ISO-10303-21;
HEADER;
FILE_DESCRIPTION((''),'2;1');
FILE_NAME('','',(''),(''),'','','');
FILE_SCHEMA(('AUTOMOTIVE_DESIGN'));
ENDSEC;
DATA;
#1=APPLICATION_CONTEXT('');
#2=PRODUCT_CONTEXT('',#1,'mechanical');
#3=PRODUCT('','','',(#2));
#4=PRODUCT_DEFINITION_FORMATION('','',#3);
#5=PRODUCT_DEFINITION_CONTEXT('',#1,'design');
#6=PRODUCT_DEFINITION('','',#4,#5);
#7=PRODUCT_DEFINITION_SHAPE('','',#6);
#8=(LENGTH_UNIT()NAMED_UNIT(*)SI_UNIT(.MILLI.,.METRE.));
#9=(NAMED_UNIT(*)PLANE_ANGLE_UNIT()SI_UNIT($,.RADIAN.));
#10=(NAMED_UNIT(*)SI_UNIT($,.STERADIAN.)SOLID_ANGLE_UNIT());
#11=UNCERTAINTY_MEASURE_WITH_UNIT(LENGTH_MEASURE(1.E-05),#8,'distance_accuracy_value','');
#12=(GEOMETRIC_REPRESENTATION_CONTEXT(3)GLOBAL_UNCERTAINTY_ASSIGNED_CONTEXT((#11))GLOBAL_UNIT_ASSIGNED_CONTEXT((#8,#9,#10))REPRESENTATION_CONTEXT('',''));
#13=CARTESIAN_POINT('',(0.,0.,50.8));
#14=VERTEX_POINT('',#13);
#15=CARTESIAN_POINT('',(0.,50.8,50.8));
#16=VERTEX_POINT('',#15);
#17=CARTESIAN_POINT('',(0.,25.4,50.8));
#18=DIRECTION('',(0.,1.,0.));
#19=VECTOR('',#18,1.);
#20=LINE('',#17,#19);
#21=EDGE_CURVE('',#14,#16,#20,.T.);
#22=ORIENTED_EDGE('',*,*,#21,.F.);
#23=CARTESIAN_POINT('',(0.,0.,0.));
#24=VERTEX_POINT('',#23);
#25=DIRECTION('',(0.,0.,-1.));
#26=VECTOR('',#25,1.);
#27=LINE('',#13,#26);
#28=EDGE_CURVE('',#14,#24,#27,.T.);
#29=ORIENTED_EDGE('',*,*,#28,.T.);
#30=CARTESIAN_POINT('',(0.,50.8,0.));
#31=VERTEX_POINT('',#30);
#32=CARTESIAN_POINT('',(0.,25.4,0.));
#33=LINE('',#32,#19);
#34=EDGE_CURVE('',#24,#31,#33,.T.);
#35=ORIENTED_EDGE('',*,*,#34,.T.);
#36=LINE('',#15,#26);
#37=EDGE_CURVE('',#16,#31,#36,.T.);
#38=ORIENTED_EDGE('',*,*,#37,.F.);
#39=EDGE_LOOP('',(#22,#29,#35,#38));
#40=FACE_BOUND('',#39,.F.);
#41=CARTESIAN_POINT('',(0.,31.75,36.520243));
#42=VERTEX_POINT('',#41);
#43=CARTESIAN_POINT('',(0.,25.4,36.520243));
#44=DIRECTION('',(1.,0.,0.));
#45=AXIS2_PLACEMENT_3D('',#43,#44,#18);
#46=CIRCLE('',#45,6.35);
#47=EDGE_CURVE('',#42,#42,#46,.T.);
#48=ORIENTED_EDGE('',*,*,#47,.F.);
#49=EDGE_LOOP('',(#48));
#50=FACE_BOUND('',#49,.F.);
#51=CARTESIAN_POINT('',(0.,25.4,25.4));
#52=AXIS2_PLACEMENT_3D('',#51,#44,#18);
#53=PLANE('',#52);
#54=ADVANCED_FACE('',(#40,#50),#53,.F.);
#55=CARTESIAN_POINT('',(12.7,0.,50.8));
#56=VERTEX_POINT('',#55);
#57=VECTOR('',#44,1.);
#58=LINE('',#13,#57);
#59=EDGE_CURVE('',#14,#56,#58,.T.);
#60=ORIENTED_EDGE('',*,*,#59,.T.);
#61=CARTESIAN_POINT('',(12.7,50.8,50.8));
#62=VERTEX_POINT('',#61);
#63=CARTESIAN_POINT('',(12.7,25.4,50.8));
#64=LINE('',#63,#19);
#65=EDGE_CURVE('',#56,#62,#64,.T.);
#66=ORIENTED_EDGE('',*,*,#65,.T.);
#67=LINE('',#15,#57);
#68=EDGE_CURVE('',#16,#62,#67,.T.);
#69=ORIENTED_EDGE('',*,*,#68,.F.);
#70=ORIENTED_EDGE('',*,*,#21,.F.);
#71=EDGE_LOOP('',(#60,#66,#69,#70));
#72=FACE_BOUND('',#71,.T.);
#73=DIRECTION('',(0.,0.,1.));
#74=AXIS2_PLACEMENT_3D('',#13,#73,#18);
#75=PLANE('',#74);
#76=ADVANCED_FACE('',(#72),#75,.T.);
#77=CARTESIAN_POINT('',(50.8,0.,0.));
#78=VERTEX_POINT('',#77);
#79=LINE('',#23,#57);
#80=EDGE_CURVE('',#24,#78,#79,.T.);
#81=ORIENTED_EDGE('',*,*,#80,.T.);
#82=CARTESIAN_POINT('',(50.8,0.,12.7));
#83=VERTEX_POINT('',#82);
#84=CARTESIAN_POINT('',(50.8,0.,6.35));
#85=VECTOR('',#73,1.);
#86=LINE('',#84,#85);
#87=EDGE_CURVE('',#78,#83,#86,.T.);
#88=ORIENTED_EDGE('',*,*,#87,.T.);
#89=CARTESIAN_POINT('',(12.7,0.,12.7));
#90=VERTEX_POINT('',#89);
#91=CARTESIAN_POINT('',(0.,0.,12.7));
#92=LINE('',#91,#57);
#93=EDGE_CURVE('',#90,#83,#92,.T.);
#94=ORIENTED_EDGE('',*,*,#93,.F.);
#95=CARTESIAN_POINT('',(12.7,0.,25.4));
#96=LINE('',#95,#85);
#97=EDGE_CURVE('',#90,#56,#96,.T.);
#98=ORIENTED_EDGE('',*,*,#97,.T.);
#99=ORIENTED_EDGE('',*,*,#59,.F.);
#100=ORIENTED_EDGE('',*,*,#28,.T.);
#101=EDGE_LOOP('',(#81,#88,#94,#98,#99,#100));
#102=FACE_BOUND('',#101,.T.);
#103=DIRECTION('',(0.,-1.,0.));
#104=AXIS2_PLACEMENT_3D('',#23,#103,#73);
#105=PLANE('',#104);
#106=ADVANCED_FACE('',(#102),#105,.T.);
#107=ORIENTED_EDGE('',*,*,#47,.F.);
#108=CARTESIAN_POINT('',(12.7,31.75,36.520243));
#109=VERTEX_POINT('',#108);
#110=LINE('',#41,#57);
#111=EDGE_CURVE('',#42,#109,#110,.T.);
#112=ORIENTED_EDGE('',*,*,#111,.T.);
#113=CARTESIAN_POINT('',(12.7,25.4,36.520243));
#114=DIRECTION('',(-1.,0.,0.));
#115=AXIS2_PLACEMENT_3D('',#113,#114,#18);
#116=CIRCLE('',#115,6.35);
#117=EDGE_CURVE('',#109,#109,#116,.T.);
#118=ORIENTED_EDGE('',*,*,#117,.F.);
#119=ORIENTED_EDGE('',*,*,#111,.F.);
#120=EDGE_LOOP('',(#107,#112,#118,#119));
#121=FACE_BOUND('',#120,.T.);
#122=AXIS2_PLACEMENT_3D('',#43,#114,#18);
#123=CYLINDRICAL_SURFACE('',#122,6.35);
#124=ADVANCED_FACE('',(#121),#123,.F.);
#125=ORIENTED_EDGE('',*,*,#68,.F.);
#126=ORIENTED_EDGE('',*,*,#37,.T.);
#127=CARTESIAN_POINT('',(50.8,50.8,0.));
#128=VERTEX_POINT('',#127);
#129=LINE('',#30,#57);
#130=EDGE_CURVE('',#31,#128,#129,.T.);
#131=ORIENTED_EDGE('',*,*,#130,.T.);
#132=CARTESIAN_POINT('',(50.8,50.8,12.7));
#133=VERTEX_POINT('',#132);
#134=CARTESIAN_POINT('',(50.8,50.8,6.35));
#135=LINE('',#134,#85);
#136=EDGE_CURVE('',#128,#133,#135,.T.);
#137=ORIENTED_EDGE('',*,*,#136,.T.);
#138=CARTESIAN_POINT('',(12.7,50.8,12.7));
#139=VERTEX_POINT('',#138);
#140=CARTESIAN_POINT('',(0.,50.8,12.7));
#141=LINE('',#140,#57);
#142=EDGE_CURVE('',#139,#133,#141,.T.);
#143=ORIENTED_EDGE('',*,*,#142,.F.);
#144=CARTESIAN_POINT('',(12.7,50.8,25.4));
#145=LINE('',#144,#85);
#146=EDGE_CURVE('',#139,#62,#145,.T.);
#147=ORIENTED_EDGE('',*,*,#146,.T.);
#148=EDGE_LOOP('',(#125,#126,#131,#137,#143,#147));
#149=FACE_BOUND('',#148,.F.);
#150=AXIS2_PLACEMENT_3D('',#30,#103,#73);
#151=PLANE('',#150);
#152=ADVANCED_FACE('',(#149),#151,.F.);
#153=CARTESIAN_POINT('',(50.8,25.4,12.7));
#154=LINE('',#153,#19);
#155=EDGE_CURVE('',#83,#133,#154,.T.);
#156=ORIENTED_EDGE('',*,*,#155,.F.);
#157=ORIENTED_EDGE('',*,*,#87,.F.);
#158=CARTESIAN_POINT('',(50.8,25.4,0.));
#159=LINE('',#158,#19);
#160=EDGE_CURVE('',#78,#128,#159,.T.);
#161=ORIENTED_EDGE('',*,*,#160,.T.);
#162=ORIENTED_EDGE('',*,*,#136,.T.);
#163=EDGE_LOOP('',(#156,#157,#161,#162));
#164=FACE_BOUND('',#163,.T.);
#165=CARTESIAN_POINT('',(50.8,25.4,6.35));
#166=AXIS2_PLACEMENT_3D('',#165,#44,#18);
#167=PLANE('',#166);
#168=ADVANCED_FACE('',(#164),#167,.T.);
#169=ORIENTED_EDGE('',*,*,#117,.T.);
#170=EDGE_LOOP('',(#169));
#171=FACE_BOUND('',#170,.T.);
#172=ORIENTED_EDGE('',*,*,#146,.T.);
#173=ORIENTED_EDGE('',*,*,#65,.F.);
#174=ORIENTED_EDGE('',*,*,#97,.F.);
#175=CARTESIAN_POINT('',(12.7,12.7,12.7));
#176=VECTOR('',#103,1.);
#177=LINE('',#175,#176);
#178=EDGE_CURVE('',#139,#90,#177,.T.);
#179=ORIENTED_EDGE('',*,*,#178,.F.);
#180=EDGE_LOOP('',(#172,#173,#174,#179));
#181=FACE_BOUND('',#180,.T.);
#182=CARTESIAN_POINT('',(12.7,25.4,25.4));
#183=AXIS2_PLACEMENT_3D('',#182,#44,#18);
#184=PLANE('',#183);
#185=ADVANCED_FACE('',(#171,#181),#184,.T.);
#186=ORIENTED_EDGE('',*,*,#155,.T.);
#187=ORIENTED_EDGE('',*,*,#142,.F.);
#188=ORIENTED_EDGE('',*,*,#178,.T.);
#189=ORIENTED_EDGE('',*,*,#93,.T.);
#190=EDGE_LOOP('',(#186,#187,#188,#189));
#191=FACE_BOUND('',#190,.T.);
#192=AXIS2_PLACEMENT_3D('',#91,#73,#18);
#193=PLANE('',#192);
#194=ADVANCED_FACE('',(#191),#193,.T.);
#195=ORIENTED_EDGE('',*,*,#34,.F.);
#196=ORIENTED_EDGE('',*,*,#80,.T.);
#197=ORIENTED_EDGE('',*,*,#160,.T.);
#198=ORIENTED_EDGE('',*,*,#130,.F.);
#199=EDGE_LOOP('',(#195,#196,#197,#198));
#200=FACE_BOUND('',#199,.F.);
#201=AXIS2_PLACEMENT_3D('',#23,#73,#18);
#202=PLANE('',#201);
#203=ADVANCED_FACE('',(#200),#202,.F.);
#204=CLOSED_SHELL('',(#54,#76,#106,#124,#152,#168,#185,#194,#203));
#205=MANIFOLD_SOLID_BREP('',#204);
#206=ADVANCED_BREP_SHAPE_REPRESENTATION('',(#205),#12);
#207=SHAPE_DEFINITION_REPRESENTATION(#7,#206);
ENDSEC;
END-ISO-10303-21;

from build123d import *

# Parameters (mm, degrees)
F0_W     = 50.8
F0_H     = 50.8
F3_DEPTH = 12.7
F1_W     = 50.8
F1_H     = 12.7
F4_DEPTH = 50.8
F2_R     = 6.35
F5_DEPTH = 48.006


with BuildPart() as f3:
    # F0 (on Right) → F3 (new body)
    with BuildSketch(Plane.YZ):
        with Locations((25.4, 25.4)):
            Rectangle(F0_W, F0_H)
    extrude(amount=F3_DEPTH)

    # F1 (on Right) → F4 (join)
    with BuildSketch(Plane.YZ):
        with Locations((25.4, 6.35)):
            Rectangle(F1_W, F1_H)
    extrude(amount=F4_DEPTH)

    # F2 (on Right) → F5 (cut)
    with BuildSketch(Plane.YZ):
        with Locations((25.4, 36.520243)):
            Circle(F2_R)
    extrude(amount=F5_DEPTH, mode=Mode.SUBTRACT)


solid = f3.part
